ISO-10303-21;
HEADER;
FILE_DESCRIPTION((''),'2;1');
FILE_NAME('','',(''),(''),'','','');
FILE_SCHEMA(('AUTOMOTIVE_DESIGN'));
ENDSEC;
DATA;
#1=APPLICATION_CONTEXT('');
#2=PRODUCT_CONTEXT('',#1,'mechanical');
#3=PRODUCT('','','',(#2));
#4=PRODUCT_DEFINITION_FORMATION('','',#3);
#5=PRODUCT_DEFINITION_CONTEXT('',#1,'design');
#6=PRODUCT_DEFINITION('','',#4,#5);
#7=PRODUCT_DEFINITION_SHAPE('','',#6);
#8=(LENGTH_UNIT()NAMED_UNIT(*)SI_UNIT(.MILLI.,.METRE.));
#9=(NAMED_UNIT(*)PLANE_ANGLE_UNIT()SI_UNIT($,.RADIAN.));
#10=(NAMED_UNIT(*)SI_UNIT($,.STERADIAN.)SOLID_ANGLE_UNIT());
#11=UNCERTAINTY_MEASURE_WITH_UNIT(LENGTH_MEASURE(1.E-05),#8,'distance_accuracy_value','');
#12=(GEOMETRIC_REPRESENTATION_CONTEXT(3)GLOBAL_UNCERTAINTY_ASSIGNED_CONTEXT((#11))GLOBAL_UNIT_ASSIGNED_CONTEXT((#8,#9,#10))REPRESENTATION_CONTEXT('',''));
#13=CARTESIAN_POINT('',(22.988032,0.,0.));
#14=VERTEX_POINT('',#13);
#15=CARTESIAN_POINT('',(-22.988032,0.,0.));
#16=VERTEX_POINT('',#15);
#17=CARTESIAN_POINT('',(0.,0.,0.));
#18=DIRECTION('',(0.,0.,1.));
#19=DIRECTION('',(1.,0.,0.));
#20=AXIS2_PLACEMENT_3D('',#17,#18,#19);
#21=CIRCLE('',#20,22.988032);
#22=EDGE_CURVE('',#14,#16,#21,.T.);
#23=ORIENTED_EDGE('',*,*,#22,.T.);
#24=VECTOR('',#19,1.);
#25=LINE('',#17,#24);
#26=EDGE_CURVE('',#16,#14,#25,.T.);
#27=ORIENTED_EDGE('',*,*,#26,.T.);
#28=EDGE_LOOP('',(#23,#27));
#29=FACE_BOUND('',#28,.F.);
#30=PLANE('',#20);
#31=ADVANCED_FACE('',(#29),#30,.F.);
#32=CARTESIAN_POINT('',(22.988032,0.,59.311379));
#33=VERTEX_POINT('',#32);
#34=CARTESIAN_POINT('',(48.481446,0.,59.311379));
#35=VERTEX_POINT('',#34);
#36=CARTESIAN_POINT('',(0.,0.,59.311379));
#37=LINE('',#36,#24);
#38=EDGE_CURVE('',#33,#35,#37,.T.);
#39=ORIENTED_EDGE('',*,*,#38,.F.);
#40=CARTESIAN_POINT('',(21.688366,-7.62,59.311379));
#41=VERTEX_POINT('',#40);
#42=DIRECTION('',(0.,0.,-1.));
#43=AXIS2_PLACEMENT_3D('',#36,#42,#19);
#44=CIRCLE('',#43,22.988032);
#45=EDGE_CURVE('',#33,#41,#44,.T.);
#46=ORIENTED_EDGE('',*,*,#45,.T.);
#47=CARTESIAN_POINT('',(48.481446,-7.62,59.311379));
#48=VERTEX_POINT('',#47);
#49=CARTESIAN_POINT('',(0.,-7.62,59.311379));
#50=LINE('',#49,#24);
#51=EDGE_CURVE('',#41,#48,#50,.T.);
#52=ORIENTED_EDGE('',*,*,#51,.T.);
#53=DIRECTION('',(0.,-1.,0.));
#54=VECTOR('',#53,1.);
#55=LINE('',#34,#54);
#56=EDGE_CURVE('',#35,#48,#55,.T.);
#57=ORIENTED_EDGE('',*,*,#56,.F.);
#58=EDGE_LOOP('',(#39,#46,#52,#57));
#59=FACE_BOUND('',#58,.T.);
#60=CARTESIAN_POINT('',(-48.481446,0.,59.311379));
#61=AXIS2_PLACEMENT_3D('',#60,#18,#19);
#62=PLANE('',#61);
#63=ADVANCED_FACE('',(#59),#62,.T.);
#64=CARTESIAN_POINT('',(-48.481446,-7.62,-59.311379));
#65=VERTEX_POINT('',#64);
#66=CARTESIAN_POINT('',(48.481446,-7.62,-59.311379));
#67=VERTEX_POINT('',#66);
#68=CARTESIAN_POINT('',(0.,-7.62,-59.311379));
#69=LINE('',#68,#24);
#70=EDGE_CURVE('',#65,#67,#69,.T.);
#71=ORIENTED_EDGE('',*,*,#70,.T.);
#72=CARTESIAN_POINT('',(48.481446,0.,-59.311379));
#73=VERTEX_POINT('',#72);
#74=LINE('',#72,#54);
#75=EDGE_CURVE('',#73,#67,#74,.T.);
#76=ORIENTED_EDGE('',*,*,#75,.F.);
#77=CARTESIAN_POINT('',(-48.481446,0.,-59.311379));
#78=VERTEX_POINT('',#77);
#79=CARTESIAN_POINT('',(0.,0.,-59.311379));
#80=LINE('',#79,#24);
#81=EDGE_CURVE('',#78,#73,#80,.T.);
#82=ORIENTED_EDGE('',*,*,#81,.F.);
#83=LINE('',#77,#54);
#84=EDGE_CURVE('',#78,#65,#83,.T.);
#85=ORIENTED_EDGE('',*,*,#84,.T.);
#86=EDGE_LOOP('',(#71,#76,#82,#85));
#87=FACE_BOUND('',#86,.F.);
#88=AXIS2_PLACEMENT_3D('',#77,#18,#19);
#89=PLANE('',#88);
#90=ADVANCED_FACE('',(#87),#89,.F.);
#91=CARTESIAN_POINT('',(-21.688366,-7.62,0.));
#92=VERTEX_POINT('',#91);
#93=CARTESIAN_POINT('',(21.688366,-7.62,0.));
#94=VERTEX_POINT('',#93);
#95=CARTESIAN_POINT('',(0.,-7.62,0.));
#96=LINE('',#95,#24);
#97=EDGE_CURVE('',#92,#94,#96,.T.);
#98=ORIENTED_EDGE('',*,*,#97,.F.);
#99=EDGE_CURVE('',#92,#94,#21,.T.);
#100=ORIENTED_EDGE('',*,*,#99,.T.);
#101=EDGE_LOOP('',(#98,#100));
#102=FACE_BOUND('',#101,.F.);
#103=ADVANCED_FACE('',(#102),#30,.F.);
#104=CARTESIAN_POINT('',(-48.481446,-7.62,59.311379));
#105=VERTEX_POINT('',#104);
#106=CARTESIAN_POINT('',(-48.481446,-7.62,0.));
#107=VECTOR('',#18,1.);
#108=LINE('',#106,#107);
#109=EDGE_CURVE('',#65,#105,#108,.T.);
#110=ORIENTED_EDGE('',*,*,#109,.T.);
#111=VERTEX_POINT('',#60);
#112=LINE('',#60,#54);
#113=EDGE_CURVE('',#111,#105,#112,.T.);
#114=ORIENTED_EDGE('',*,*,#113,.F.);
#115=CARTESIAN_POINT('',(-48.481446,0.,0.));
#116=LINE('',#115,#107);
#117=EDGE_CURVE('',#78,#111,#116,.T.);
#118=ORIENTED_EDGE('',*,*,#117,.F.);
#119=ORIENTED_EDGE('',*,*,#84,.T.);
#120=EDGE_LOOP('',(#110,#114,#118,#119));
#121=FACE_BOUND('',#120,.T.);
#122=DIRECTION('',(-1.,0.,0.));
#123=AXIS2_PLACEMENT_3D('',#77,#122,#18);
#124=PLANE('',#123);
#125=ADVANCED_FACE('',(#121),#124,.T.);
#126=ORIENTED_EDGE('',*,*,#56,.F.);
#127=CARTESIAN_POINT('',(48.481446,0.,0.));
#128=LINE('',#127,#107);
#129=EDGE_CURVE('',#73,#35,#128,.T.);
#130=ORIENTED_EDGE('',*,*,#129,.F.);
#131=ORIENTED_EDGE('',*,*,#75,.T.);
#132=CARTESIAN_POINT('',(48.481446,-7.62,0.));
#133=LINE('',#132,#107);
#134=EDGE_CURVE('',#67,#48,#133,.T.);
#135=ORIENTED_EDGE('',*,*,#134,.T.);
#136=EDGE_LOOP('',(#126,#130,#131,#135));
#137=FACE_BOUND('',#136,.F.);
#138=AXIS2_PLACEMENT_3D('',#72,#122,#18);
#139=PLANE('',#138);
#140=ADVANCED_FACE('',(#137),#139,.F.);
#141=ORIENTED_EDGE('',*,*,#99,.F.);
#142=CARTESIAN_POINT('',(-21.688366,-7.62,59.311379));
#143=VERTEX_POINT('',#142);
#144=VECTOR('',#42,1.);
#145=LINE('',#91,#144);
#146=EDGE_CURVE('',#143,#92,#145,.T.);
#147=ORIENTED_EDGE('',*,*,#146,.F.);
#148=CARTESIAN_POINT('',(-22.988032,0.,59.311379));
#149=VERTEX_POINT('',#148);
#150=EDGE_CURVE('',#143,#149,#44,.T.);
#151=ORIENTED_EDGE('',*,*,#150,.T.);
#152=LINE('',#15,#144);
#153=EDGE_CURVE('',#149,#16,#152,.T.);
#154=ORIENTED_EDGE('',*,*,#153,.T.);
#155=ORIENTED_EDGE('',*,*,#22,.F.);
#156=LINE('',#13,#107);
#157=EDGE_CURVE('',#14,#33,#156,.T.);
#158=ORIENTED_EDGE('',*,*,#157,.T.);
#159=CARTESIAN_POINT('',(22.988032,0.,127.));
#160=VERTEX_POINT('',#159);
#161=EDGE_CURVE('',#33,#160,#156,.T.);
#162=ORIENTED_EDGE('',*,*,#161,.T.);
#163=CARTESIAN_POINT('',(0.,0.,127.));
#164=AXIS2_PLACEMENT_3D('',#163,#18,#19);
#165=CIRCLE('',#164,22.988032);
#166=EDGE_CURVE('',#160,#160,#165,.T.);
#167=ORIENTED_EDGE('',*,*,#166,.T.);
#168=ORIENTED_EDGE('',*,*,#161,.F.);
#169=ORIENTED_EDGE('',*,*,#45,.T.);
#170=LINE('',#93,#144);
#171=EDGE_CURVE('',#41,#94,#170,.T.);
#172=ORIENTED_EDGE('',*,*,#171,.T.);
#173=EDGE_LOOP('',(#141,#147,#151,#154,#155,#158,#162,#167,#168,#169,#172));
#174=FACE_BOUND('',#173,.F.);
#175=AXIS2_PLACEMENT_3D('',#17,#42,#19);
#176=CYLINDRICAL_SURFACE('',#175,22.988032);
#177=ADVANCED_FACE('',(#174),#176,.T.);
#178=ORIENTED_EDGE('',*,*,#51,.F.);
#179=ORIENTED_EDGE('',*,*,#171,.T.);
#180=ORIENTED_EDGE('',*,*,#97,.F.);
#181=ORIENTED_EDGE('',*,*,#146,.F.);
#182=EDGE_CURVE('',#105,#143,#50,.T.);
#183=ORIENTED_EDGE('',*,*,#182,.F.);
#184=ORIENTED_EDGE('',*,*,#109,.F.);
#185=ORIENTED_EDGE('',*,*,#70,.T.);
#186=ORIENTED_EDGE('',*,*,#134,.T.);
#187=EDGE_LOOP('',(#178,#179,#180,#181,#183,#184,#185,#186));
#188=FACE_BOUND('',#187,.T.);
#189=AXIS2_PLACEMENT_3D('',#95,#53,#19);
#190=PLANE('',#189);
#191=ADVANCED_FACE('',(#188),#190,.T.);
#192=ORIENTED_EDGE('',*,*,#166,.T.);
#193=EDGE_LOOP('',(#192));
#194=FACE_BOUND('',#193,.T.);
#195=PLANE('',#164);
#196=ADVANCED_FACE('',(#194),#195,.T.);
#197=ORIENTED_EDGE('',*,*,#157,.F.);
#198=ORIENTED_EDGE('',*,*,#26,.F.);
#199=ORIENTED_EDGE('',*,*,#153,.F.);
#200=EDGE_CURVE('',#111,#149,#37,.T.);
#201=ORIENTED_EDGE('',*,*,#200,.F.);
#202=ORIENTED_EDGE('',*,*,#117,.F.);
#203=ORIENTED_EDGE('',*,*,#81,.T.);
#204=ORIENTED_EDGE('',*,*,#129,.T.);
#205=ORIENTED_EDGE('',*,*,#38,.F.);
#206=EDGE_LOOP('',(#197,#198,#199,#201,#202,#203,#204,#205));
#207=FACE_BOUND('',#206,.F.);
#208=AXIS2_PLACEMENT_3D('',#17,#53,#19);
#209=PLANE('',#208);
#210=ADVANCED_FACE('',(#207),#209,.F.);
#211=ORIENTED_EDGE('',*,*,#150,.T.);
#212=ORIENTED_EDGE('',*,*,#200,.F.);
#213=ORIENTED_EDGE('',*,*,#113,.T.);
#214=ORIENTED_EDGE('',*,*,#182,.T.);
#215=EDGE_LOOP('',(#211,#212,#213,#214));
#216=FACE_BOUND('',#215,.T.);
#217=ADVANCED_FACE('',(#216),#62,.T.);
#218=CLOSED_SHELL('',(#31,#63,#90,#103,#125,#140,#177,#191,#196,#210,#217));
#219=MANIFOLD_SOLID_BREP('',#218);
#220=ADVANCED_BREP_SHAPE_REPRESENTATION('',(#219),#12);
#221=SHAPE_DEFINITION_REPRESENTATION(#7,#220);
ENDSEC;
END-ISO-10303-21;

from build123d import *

# Parameters (mm, degrees)
F0_R     = 22.988032
F1_DEPTH = 127
F2_W     = 96.962892
F2_H     = 118.622758
F3_DEPTH = 7.62


with BuildPart() as f1:
    # F0 (on Top) → F1 (new body)
    with BuildSketch(Plane.XY):
        Circle(F0_R)
    extrude(amount=F1_DEPTH)

    # F2 (on Front) → F3 (join)
    with BuildSketch(Plane.XZ):
        Rectangle(F2_W, F2_H)
    extrude(amount=F3_DEPTH)


solid = f1.part
